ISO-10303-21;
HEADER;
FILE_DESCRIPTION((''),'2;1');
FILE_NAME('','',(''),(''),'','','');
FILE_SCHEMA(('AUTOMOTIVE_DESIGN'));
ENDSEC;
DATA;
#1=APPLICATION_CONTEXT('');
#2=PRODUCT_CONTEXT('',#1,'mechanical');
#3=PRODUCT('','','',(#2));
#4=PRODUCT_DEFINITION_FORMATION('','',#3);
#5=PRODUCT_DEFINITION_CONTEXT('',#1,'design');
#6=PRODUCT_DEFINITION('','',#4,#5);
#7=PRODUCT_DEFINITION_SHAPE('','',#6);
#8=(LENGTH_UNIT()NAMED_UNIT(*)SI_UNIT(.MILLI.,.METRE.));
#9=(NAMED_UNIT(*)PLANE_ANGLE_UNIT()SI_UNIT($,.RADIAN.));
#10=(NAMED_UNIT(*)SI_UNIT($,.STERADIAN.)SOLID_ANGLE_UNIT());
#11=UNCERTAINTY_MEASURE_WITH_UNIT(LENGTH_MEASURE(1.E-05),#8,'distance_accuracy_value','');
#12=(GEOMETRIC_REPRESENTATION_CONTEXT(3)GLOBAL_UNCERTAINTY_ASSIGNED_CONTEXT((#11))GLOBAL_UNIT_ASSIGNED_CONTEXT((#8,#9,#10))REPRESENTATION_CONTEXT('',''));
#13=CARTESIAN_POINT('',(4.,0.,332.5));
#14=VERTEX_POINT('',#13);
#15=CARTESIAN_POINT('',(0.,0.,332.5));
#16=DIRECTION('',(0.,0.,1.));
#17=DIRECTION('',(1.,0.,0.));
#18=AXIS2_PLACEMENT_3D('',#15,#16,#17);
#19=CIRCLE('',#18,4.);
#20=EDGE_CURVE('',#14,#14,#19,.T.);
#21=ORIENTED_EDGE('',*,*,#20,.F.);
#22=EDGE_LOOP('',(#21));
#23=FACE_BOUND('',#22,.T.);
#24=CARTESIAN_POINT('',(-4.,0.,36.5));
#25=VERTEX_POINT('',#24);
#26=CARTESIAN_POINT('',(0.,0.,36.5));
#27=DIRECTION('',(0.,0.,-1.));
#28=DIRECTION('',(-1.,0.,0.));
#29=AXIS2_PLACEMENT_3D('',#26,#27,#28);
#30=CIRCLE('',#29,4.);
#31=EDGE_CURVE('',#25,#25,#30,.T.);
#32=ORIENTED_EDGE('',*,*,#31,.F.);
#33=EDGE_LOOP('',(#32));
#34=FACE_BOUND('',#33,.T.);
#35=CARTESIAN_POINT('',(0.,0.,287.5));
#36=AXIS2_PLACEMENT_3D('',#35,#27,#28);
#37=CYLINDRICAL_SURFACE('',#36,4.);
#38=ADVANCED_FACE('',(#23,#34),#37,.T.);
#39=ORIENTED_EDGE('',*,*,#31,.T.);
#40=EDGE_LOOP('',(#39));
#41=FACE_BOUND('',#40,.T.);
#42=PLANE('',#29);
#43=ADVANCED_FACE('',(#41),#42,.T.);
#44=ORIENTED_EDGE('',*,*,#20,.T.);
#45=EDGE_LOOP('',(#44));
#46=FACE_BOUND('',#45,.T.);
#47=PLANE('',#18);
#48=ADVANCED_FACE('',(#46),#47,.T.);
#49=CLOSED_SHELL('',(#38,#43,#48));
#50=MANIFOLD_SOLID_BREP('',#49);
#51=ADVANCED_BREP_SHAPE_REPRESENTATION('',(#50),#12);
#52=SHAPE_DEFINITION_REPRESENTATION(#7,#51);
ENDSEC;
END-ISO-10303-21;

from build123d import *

# Parameters (mm, degrees)
SKETCH1_R           = 4
BOSS_EXTRUDE1_DEPTH = 287.5
SKETCH2_R           = 4
BOSS_EXTRUDE2_DEPTH = 45
SKETCH3_R           = 4
CUT_EXTRUDE1_DEPTH  = 105
SKETCH4_R           = 4
BOSS_EXTRUDE3_DEPTH = 68.5


with BuildPart() as part:
    # Sketch1 → Boss-Extrude1 (new body)
    with BuildSketch(Plane.XY):
        Circle(SKETCH1_R)
    extrude(amount=BOSS_EXTRUDE1_DEPTH)

    # Sketch2 → Boss-Extrude2 (add)
    with BuildSketch(Plane.XY.offset(287.5)):
        Circle(SKETCH2_R)
    extrude(amount=BOSS_EXTRUDE2_DEPTH)

    # Sketch3 → Cut-Extrude1 (cut)
    with BuildSketch(Plane(origin=(0, 0, 0), x_dir=(-1, 0, 0), z_dir=(0, 0, -1))):
        Circle(SKETCH3_R)
    extrude(amount=-CUT_EXTRUDE1_DEPTH, mode=Mode.SUBTRACT)

    # Sketch4 → Boss-Extrude3 (add)
    with BuildSketch(Plane(origin=(0, 0, 105), x_dir=(-1, 0, 0), z_dir=(0, 0, -1))):
        Circle(SKETCH4_R)
    extrude(amount=BOSS_EXTRUDE3_DEPTH)


solid = part.part
